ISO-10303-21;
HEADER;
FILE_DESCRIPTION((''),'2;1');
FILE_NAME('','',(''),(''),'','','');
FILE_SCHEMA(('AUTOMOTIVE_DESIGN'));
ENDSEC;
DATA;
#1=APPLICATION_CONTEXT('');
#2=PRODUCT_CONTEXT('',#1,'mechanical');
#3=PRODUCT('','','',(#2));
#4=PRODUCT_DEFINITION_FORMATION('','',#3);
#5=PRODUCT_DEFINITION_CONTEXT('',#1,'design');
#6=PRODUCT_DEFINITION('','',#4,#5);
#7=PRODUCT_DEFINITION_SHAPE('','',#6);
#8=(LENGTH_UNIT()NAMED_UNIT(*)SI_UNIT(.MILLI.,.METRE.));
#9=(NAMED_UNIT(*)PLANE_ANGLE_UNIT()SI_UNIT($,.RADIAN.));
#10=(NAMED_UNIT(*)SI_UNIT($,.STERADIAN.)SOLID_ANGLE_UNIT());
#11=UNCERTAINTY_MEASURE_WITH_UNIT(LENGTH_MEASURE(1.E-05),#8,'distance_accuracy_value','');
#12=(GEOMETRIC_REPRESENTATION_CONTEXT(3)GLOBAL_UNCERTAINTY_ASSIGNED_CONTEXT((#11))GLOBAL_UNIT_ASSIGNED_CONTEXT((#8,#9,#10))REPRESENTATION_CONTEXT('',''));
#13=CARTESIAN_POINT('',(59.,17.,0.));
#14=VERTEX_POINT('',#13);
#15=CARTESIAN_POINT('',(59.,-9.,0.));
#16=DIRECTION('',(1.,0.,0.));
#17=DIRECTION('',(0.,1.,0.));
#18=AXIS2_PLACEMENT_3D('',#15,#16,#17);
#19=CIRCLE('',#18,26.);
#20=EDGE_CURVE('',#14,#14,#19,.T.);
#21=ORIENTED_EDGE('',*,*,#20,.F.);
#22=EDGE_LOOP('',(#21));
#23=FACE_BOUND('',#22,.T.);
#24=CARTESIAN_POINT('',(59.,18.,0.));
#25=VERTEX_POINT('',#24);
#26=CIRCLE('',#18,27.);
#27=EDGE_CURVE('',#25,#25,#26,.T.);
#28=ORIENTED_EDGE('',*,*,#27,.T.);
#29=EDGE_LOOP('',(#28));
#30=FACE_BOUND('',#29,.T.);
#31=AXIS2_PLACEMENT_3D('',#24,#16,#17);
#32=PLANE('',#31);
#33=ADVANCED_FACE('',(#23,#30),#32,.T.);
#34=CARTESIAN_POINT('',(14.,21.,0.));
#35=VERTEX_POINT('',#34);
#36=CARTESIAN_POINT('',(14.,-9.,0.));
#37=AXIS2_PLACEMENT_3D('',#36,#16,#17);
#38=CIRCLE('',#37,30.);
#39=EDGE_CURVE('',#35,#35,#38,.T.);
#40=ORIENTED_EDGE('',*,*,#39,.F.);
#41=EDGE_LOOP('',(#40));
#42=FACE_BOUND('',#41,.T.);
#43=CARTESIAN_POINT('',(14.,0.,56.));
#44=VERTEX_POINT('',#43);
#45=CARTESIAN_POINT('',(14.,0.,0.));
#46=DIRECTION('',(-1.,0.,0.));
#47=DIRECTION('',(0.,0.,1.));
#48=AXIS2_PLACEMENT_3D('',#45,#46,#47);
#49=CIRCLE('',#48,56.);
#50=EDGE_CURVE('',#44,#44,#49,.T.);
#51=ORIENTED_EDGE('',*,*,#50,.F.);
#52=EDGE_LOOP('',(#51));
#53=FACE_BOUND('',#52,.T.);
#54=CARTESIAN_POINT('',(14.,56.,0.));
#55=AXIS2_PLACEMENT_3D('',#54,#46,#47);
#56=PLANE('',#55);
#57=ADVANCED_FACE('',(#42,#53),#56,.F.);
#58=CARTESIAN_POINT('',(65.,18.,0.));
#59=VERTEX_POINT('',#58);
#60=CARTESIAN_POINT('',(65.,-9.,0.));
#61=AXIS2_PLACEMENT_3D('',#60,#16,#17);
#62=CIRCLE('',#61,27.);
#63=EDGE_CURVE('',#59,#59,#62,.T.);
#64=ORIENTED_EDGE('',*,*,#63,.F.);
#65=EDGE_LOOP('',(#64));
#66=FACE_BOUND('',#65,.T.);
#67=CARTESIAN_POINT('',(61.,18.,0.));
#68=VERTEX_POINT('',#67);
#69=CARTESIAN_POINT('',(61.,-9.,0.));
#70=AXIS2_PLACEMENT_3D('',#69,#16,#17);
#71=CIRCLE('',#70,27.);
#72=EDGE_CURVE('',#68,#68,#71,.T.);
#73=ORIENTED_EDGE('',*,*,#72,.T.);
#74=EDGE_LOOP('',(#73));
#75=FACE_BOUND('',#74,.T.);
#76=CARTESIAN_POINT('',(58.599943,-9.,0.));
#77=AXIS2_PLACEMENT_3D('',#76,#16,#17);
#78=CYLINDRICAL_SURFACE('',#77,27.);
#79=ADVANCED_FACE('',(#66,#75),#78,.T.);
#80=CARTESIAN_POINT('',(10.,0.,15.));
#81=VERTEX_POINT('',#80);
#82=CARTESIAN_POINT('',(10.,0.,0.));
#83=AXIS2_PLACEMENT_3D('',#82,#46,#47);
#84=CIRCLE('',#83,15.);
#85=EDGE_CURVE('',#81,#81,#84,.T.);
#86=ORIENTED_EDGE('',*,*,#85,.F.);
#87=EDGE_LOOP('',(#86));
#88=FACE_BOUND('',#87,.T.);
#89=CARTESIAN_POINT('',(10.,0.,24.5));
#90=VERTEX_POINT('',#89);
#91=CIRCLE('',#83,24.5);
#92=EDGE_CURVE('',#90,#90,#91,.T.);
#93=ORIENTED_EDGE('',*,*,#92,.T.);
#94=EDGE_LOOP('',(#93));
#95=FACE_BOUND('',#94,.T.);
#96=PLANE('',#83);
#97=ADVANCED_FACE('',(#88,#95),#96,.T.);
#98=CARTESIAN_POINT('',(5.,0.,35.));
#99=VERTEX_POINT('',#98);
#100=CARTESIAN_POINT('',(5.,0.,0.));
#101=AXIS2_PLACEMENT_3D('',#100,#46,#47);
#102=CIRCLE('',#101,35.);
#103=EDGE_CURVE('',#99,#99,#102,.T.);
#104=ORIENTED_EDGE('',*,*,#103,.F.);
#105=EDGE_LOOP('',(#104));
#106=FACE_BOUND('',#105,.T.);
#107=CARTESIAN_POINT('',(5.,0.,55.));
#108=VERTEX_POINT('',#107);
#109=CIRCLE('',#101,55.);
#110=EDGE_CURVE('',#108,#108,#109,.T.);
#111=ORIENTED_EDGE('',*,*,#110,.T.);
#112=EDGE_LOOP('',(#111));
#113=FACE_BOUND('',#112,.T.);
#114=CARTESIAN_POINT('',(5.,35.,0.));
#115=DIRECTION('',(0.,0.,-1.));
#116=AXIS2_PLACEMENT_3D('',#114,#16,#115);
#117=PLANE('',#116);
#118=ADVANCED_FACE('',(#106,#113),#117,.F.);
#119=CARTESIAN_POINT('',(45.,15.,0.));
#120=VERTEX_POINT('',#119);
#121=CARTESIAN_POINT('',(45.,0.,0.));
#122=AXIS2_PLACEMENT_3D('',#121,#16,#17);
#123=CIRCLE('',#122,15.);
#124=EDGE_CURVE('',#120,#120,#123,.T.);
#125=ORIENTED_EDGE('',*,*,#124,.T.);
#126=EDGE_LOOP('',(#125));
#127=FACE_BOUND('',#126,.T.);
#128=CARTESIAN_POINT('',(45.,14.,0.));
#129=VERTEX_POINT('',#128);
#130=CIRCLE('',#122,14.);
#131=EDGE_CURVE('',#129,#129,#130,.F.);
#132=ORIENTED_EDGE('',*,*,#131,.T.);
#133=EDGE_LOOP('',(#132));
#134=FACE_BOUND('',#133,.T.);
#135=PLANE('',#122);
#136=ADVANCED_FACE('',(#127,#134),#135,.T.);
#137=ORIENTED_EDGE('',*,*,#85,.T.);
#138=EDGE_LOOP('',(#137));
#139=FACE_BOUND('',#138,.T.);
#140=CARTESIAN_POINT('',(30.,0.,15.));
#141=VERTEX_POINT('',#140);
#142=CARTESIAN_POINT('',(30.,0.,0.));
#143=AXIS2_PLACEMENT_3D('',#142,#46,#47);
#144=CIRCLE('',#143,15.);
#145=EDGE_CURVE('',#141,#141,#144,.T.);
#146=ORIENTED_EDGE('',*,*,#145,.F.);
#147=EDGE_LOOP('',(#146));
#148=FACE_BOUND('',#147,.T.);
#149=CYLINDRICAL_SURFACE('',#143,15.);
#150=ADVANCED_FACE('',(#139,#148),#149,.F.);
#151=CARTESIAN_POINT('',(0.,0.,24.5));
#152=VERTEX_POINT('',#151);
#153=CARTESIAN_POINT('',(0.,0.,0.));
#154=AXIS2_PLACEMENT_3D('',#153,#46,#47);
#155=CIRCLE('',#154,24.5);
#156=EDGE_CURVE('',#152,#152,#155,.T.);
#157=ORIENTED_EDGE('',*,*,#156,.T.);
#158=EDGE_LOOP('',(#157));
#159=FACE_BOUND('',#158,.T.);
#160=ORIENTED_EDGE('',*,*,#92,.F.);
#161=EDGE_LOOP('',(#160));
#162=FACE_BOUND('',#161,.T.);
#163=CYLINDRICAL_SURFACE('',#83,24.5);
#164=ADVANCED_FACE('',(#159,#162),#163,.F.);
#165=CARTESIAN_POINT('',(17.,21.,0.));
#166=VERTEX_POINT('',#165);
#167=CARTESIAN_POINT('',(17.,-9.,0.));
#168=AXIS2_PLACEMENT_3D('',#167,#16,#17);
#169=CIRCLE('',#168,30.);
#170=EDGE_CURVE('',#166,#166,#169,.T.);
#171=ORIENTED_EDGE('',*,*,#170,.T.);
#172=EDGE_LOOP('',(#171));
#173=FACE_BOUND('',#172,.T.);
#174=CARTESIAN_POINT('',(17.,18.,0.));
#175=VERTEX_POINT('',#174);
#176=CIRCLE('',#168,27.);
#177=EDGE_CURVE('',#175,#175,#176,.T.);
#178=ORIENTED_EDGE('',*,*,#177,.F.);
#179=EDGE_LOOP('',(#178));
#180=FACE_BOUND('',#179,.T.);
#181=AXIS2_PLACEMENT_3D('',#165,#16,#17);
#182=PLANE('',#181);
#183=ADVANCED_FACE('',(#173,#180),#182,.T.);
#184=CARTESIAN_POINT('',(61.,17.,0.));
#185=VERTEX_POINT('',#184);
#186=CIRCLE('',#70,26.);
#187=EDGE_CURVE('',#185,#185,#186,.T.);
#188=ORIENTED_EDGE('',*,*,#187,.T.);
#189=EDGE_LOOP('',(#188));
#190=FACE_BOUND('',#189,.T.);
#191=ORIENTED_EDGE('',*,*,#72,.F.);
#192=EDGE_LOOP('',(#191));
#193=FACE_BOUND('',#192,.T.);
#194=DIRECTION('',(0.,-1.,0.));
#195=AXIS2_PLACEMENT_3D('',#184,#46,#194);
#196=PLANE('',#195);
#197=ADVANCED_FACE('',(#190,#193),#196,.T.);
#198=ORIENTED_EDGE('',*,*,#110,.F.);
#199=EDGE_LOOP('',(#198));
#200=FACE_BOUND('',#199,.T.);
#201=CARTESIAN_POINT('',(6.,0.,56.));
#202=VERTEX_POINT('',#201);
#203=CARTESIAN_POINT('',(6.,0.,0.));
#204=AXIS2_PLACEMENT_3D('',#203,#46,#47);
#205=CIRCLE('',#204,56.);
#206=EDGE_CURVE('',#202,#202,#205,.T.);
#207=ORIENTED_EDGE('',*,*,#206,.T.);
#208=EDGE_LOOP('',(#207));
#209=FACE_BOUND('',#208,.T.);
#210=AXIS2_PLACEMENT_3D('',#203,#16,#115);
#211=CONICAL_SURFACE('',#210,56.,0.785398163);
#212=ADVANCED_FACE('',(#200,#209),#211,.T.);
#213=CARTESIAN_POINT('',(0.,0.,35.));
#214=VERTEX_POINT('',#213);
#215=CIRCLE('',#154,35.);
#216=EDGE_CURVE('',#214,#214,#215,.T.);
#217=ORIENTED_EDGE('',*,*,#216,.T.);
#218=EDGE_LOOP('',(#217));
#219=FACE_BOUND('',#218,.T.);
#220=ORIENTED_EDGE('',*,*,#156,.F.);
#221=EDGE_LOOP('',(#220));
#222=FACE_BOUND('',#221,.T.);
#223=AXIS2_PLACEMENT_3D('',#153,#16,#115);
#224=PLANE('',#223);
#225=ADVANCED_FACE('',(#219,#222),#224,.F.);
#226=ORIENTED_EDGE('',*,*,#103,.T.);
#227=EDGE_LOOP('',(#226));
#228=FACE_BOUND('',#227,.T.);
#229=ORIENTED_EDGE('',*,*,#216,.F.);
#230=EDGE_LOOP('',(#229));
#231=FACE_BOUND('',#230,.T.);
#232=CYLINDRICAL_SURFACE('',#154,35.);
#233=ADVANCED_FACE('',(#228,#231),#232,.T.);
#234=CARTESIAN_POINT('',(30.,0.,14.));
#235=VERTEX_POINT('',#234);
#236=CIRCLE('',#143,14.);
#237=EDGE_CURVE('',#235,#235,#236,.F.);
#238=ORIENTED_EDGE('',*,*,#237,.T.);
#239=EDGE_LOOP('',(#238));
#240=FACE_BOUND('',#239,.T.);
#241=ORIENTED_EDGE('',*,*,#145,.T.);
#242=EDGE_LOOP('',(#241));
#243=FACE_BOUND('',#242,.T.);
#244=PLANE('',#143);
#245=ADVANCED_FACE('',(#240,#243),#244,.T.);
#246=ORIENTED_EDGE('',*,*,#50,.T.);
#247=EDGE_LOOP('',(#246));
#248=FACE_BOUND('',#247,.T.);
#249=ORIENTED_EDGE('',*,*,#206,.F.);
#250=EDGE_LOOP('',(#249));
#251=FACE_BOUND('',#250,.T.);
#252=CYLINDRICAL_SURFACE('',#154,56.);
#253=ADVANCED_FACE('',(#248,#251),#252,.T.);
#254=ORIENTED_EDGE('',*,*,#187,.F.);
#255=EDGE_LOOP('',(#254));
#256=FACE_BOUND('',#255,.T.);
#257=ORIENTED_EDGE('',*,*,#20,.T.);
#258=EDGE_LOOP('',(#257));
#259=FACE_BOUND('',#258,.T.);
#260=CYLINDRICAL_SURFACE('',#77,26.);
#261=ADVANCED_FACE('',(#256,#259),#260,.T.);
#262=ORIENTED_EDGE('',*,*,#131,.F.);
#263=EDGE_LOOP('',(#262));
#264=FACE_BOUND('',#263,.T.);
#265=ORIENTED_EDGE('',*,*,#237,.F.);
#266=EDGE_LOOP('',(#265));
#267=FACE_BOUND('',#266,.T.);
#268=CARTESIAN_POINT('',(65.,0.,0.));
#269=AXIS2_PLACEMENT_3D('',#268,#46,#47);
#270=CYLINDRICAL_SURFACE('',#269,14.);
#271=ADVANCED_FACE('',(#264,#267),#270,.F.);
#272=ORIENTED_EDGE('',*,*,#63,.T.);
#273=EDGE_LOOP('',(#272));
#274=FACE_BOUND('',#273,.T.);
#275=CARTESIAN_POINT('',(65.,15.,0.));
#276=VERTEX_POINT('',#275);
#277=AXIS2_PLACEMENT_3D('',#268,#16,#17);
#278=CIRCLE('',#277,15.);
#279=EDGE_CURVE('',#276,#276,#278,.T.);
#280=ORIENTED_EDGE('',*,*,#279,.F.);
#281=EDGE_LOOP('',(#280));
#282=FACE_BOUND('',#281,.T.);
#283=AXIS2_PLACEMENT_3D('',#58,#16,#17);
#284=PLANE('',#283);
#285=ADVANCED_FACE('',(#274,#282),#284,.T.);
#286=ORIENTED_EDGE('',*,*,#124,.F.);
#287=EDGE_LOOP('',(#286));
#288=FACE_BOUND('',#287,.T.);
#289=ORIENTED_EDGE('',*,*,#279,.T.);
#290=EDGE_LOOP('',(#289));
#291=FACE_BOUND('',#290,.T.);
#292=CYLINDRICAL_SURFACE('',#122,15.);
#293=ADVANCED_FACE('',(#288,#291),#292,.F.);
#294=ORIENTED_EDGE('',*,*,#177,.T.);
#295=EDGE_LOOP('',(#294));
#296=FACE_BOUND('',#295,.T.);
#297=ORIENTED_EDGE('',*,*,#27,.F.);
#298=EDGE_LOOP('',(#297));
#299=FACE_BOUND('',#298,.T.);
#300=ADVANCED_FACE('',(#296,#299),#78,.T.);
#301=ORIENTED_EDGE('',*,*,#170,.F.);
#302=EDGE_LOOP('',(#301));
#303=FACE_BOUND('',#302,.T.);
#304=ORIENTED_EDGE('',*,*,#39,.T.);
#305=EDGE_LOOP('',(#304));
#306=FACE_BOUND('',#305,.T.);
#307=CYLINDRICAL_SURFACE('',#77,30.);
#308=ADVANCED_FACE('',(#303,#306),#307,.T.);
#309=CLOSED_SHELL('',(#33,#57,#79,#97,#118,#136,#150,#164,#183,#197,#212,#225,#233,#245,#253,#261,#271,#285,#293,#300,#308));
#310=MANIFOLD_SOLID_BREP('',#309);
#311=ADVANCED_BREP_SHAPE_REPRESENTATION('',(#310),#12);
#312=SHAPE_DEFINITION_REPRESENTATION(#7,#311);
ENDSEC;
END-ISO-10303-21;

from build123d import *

# Parameters (mm, degrees)
ESQUISSE2_R             = 24.5
ENL_V_MAT_EXTRU_1_DEPTH = 10
ESQUISSE4_R             = 14
ENL_V_MAT_EXTRU_2_DEPTH = 97.42095208
ESQUISSE5_R             = 15
ENL_V_MAT_EXTRU_3_DEPTH = 20
ENL_V_START             = -20
ESQUISSE6_R             = 15
ENL_V_MAT_EXTRU_4_DEPTH = 20


with BuildPart() as part:
    # Esquisse1 → Révolution1 (revolve)
    with BuildSketch(Plane.XY, mode=Mode.PRIVATE) as r_volution1_sk:
        Polygon((0, 0), (0, 35), (5, 35), (5, 55), (6, 56), (14, 56), (14, 0), align=None)
    revolve(r_volution1_sk.sketch.rotate(Axis((0, 0, 0), (1, 0, 0)), 90), axis=Axis((0, 0, 0), (1, 0, 0)))

    # Esquisse2 → Enlèv. mat.-Extru.1 (cut)
    with BuildSketch(Plane.ZY):
        Circle(ESQUISSE2_R)
    extrude(amount=-ENL_V_MAT_EXTRU_1_DEPTH, mode=Mode.SUBTRACT)

    # Esquisse3 → Révolution2 (revolve)
    with BuildSketch(Plane.XY):
        Polygon((14, 21), (17, 21), (17, 18), (59, 18), (59, 17), (61, 17), (61, 18), (65, 18), (65, -9), (14, -9), align=None)
    revolve(axis=Axis((58.599942934, -9, 0), (-1, 0, 0)))

    # Esquisse4 → Enlèv. mat.-Extru.2 (cut, through all)
    with BuildSketch(Plane.ZY.offset(-10)):
        Circle(ESQUISSE4_R)
    extrude(amount=-ENL_V_MAT_EXTRU_2_DEPTH, mode=Mode.SUBTRACT)

    # Esquisse5 → Enlèv. mat.-Extru.3 (cut)
    with BuildSketch(Plane.ZY.offset(-10)):
        Circle(ESQUISSE5_R)
    extrude(amount=-ENL_V_MAT_EXTRU_3_DEPTH, mode=Mode.SUBTRACT)

    # Esquisse6 → Enlèv. mat.-Extru.4 (cut)
    with BuildSketch(Plane(origin=(65, 0, 0), x_dir=(0, 0, -1), z_dir=(1, 0, 0)).offset(ENL_V_START)):
        with Locations(Location((0, 0, 0), (0, 0, 180))):
            Circle(ESQUISSE6_R)
    extrude(amount=ENL_V_MAT_EXTRU_4_DEPTH, mode=Mode.SUBTRACT)


solid = part.part
